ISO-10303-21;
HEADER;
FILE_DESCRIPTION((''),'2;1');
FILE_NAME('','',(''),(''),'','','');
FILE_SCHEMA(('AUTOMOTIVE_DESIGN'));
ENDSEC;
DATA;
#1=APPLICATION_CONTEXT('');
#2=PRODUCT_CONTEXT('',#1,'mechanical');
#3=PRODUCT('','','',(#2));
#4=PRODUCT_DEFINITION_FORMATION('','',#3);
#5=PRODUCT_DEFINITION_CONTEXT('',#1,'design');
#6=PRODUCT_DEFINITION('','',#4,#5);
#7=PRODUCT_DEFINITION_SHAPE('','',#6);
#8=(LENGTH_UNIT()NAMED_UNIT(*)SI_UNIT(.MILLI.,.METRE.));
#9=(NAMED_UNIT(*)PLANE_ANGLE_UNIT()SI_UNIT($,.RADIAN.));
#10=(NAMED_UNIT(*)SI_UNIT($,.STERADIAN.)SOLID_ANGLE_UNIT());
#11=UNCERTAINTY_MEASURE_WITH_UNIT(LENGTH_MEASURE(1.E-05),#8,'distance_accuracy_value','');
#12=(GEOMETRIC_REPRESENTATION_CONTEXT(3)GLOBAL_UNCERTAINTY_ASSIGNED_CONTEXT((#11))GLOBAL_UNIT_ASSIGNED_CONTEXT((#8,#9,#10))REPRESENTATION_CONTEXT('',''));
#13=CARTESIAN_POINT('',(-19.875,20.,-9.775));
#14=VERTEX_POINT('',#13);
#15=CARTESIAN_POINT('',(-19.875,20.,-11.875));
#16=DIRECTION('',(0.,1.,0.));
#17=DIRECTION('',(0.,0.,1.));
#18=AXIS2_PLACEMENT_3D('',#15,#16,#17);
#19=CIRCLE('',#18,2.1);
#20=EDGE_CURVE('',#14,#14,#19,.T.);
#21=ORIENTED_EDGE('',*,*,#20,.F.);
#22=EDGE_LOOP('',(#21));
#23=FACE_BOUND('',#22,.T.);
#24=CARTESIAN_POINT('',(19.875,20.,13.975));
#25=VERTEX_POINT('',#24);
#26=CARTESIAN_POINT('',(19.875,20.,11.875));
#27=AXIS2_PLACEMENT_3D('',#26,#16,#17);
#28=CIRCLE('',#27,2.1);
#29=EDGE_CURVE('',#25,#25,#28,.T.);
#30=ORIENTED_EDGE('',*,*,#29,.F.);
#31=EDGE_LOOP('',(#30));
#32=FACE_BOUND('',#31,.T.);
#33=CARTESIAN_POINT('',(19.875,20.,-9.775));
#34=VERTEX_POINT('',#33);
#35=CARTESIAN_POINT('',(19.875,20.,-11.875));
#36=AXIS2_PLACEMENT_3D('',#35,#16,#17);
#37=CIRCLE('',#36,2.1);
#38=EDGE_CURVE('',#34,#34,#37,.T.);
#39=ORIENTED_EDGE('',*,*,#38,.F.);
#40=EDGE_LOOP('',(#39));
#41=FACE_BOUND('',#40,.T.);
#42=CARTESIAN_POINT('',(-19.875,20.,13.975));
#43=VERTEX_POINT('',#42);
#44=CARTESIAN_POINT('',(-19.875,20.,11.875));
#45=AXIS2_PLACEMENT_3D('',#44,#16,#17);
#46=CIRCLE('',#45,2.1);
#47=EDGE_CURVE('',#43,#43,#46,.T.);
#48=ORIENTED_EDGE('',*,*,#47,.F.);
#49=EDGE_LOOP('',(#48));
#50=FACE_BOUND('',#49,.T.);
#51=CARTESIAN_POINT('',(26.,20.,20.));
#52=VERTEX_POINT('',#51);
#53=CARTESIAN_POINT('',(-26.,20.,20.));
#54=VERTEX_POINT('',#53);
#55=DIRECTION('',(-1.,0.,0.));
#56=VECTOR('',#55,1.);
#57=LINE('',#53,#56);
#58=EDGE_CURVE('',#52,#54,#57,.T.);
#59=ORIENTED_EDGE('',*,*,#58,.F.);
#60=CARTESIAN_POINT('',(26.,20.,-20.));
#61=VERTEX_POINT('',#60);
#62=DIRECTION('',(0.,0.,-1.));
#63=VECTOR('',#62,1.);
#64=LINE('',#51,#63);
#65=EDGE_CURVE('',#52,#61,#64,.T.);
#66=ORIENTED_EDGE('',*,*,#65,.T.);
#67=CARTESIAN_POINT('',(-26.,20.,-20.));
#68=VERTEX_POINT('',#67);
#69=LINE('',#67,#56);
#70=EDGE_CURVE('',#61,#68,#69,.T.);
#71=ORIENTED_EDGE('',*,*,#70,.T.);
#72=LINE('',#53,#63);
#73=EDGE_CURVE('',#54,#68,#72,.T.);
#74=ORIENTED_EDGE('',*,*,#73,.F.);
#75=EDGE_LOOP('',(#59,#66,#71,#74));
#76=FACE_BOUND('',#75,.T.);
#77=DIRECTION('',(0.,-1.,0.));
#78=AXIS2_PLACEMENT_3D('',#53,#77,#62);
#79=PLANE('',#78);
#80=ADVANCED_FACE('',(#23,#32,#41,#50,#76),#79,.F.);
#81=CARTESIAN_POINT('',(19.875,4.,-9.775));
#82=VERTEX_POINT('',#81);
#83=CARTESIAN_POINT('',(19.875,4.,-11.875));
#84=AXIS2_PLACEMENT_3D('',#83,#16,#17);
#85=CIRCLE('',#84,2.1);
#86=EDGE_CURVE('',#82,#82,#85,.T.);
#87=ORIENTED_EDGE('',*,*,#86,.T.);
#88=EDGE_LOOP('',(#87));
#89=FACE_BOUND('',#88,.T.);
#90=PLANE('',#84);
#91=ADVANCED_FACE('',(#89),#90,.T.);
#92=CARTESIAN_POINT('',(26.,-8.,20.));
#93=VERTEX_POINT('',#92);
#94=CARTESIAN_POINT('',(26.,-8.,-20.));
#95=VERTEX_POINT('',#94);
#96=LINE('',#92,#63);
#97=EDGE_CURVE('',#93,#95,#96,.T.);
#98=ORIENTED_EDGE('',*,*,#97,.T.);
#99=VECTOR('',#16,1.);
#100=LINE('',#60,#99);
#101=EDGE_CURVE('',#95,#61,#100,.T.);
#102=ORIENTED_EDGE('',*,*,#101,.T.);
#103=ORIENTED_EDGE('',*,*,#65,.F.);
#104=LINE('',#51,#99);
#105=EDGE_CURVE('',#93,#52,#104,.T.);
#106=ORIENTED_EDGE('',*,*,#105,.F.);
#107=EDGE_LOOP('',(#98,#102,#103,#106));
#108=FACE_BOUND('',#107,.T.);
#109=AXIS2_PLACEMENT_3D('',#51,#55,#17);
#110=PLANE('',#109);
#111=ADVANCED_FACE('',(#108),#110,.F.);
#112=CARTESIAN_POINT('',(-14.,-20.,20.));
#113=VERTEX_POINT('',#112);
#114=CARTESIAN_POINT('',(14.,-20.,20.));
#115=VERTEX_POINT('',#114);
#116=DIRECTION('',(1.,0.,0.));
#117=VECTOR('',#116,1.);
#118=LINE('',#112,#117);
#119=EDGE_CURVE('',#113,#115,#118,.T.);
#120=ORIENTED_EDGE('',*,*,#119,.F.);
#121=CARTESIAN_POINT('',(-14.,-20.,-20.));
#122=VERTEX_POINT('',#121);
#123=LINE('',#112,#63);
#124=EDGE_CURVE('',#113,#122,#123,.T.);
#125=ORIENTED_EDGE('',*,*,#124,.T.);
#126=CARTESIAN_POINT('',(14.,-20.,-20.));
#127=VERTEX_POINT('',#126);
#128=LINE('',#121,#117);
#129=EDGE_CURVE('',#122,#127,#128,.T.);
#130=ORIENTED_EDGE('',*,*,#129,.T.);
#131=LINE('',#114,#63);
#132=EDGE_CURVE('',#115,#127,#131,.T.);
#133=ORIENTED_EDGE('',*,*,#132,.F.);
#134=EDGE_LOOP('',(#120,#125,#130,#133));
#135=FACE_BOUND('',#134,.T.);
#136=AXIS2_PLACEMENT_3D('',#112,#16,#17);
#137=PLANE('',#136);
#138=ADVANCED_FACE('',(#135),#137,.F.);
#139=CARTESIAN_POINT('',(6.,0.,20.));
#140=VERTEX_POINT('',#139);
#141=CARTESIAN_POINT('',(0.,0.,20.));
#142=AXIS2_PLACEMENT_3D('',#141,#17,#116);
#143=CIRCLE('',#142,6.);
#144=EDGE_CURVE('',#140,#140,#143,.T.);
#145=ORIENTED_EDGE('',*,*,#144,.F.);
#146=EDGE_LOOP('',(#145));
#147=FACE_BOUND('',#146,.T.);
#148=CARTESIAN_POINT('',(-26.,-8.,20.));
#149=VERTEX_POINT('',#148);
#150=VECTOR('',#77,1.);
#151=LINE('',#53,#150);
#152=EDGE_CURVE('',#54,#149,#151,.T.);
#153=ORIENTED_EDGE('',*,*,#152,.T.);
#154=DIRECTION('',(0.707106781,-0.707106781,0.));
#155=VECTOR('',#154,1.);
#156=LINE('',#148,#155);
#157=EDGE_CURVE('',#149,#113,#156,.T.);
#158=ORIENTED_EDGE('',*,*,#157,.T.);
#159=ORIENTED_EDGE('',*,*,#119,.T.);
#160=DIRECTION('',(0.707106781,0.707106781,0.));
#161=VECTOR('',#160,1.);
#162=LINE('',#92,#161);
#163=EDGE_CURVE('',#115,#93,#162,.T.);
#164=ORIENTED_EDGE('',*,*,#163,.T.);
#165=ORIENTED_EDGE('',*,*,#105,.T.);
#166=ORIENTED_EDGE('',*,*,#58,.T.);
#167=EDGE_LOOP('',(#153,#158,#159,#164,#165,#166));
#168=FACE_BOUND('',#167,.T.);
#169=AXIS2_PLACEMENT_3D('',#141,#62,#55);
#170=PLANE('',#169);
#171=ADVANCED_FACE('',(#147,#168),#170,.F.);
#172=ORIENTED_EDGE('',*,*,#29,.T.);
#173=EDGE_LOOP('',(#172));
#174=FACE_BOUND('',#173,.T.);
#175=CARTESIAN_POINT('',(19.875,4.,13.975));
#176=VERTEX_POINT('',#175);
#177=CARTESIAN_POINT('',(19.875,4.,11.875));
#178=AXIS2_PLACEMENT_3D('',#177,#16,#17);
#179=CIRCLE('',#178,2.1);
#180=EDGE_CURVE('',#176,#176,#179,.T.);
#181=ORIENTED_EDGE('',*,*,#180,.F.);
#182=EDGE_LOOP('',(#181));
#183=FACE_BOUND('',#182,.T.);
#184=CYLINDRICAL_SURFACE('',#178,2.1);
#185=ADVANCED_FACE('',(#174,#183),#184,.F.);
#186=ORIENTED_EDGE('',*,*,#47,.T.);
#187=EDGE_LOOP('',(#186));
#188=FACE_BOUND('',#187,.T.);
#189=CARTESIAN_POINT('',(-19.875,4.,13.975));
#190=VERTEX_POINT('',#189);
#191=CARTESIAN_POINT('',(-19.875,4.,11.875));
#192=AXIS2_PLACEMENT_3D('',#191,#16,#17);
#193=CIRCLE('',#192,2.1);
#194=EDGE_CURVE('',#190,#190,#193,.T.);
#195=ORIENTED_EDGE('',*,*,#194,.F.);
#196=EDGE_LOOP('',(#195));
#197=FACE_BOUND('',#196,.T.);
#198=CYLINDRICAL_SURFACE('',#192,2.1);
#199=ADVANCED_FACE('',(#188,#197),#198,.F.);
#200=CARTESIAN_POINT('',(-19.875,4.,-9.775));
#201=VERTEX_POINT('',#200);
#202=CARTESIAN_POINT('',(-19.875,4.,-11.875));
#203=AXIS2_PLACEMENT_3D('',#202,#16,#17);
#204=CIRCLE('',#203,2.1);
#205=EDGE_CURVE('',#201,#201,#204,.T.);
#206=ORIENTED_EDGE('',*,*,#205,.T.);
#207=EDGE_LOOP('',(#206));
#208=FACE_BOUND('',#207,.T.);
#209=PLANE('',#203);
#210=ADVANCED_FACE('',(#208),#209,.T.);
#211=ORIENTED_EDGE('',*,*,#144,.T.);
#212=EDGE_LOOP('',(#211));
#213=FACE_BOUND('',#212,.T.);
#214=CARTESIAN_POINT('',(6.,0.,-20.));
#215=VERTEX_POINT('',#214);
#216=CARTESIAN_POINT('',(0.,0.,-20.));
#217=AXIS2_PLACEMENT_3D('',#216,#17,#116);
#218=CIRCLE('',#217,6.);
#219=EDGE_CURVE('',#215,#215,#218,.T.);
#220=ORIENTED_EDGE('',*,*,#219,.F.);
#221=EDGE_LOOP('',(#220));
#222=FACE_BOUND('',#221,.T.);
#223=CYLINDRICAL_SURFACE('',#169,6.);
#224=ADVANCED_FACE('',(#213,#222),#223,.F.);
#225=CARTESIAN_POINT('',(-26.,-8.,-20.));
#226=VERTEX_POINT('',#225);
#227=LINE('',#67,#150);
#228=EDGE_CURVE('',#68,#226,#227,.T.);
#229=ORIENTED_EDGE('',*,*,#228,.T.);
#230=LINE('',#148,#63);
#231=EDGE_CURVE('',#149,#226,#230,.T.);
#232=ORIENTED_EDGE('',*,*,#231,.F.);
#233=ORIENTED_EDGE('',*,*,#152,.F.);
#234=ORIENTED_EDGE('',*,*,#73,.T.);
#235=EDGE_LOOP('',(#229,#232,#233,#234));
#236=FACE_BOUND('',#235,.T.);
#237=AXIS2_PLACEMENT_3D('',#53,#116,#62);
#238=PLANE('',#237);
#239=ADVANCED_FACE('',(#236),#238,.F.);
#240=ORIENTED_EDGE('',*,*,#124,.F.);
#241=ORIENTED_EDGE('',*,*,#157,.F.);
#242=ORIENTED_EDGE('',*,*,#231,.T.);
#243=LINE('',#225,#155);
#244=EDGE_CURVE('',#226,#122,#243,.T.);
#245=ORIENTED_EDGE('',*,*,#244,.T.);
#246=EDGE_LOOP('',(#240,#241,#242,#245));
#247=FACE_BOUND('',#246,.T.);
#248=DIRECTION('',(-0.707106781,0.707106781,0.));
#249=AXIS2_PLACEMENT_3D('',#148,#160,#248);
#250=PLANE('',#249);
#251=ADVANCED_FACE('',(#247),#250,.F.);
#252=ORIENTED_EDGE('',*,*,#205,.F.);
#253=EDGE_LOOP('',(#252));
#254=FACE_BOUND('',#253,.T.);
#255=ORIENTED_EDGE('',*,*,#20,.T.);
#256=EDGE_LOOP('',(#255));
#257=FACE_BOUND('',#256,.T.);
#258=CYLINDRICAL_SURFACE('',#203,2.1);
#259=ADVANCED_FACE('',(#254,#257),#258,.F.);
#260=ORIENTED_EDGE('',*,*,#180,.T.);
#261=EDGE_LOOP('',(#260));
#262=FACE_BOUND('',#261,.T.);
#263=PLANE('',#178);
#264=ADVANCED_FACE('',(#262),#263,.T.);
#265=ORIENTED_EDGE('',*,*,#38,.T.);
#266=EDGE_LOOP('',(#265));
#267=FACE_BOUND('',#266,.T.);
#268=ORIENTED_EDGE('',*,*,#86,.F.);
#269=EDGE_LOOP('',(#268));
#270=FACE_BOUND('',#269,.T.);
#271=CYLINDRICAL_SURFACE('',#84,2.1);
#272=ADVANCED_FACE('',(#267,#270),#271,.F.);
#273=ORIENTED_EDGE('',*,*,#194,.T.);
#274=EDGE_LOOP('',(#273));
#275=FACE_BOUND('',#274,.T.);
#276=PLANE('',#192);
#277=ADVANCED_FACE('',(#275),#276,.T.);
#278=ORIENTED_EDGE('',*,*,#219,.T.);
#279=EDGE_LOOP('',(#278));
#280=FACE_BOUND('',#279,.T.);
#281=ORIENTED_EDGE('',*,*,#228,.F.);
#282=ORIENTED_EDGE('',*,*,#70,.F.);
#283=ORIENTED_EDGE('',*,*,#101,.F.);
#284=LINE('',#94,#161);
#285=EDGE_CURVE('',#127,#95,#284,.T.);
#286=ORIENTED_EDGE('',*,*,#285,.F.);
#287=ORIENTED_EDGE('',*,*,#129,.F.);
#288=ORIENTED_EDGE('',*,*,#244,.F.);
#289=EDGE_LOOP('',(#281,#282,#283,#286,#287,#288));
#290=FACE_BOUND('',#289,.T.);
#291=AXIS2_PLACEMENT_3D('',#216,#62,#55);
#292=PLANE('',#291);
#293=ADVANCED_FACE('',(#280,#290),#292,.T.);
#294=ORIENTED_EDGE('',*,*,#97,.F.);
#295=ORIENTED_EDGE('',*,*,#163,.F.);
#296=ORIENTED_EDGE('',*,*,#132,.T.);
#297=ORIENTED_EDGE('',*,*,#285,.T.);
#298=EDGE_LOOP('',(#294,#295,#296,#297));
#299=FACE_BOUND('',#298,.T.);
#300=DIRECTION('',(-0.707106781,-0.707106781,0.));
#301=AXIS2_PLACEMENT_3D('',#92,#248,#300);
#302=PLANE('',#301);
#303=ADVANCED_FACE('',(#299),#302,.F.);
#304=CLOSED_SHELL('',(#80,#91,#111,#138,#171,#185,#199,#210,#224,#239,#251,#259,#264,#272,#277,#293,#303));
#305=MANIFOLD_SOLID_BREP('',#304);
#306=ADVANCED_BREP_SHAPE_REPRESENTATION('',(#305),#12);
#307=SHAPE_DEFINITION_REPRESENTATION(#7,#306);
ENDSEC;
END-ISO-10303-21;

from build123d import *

# Parameters (mm, degrees)
SKETCH1_R           = 6
BOSS_EXTRUDE1_DEPTH = 20
SKETCH2_R           = 2.1
CUT_EXTRUDE1_DEPTH  = 16


with BuildPart() as part:
    # Sketch1 → Boss-Extrude1 (new, symmetric)
    with BuildSketch(Plane.XY):
        Polygon((-26, 20), (-26, -8), (-14, -20), (14, -20), (26, -8), (26, 20), align=None)
        Circle(SKETCH1_R, mode=Mode.SUBTRACT)
    extrude(amount=BOSS_EXTRUDE1_DEPTH, both=True)

    # Sketch2 → Cut-Extrude1 (cut)
    with BuildSketch(Plane(origin=(0, 20, 0), x_dir=(1, 0, 0), z_dir=(0, 1, 0))):
        with Locations(Location((-19.875, 11.875, 0), (0, 0, 270))):
            Circle(SKETCH2_R)
        with Locations(Location((19.875, 11.875, 0), (0, 0, 270))):
            Circle(SKETCH2_R)
        with Locations(Location((19.875, -11.875, 0), (0, 0, 270))):
            Circle(SKETCH2_R)
        with Locations(Location((-19.875, -11.875, 0), (0, 0, 270))):
            Circle(SKETCH2_R)
    extrude(amount=-CUT_EXTRUDE1_DEPTH, mode=Mode.SUBTRACT)


solid = part.part
